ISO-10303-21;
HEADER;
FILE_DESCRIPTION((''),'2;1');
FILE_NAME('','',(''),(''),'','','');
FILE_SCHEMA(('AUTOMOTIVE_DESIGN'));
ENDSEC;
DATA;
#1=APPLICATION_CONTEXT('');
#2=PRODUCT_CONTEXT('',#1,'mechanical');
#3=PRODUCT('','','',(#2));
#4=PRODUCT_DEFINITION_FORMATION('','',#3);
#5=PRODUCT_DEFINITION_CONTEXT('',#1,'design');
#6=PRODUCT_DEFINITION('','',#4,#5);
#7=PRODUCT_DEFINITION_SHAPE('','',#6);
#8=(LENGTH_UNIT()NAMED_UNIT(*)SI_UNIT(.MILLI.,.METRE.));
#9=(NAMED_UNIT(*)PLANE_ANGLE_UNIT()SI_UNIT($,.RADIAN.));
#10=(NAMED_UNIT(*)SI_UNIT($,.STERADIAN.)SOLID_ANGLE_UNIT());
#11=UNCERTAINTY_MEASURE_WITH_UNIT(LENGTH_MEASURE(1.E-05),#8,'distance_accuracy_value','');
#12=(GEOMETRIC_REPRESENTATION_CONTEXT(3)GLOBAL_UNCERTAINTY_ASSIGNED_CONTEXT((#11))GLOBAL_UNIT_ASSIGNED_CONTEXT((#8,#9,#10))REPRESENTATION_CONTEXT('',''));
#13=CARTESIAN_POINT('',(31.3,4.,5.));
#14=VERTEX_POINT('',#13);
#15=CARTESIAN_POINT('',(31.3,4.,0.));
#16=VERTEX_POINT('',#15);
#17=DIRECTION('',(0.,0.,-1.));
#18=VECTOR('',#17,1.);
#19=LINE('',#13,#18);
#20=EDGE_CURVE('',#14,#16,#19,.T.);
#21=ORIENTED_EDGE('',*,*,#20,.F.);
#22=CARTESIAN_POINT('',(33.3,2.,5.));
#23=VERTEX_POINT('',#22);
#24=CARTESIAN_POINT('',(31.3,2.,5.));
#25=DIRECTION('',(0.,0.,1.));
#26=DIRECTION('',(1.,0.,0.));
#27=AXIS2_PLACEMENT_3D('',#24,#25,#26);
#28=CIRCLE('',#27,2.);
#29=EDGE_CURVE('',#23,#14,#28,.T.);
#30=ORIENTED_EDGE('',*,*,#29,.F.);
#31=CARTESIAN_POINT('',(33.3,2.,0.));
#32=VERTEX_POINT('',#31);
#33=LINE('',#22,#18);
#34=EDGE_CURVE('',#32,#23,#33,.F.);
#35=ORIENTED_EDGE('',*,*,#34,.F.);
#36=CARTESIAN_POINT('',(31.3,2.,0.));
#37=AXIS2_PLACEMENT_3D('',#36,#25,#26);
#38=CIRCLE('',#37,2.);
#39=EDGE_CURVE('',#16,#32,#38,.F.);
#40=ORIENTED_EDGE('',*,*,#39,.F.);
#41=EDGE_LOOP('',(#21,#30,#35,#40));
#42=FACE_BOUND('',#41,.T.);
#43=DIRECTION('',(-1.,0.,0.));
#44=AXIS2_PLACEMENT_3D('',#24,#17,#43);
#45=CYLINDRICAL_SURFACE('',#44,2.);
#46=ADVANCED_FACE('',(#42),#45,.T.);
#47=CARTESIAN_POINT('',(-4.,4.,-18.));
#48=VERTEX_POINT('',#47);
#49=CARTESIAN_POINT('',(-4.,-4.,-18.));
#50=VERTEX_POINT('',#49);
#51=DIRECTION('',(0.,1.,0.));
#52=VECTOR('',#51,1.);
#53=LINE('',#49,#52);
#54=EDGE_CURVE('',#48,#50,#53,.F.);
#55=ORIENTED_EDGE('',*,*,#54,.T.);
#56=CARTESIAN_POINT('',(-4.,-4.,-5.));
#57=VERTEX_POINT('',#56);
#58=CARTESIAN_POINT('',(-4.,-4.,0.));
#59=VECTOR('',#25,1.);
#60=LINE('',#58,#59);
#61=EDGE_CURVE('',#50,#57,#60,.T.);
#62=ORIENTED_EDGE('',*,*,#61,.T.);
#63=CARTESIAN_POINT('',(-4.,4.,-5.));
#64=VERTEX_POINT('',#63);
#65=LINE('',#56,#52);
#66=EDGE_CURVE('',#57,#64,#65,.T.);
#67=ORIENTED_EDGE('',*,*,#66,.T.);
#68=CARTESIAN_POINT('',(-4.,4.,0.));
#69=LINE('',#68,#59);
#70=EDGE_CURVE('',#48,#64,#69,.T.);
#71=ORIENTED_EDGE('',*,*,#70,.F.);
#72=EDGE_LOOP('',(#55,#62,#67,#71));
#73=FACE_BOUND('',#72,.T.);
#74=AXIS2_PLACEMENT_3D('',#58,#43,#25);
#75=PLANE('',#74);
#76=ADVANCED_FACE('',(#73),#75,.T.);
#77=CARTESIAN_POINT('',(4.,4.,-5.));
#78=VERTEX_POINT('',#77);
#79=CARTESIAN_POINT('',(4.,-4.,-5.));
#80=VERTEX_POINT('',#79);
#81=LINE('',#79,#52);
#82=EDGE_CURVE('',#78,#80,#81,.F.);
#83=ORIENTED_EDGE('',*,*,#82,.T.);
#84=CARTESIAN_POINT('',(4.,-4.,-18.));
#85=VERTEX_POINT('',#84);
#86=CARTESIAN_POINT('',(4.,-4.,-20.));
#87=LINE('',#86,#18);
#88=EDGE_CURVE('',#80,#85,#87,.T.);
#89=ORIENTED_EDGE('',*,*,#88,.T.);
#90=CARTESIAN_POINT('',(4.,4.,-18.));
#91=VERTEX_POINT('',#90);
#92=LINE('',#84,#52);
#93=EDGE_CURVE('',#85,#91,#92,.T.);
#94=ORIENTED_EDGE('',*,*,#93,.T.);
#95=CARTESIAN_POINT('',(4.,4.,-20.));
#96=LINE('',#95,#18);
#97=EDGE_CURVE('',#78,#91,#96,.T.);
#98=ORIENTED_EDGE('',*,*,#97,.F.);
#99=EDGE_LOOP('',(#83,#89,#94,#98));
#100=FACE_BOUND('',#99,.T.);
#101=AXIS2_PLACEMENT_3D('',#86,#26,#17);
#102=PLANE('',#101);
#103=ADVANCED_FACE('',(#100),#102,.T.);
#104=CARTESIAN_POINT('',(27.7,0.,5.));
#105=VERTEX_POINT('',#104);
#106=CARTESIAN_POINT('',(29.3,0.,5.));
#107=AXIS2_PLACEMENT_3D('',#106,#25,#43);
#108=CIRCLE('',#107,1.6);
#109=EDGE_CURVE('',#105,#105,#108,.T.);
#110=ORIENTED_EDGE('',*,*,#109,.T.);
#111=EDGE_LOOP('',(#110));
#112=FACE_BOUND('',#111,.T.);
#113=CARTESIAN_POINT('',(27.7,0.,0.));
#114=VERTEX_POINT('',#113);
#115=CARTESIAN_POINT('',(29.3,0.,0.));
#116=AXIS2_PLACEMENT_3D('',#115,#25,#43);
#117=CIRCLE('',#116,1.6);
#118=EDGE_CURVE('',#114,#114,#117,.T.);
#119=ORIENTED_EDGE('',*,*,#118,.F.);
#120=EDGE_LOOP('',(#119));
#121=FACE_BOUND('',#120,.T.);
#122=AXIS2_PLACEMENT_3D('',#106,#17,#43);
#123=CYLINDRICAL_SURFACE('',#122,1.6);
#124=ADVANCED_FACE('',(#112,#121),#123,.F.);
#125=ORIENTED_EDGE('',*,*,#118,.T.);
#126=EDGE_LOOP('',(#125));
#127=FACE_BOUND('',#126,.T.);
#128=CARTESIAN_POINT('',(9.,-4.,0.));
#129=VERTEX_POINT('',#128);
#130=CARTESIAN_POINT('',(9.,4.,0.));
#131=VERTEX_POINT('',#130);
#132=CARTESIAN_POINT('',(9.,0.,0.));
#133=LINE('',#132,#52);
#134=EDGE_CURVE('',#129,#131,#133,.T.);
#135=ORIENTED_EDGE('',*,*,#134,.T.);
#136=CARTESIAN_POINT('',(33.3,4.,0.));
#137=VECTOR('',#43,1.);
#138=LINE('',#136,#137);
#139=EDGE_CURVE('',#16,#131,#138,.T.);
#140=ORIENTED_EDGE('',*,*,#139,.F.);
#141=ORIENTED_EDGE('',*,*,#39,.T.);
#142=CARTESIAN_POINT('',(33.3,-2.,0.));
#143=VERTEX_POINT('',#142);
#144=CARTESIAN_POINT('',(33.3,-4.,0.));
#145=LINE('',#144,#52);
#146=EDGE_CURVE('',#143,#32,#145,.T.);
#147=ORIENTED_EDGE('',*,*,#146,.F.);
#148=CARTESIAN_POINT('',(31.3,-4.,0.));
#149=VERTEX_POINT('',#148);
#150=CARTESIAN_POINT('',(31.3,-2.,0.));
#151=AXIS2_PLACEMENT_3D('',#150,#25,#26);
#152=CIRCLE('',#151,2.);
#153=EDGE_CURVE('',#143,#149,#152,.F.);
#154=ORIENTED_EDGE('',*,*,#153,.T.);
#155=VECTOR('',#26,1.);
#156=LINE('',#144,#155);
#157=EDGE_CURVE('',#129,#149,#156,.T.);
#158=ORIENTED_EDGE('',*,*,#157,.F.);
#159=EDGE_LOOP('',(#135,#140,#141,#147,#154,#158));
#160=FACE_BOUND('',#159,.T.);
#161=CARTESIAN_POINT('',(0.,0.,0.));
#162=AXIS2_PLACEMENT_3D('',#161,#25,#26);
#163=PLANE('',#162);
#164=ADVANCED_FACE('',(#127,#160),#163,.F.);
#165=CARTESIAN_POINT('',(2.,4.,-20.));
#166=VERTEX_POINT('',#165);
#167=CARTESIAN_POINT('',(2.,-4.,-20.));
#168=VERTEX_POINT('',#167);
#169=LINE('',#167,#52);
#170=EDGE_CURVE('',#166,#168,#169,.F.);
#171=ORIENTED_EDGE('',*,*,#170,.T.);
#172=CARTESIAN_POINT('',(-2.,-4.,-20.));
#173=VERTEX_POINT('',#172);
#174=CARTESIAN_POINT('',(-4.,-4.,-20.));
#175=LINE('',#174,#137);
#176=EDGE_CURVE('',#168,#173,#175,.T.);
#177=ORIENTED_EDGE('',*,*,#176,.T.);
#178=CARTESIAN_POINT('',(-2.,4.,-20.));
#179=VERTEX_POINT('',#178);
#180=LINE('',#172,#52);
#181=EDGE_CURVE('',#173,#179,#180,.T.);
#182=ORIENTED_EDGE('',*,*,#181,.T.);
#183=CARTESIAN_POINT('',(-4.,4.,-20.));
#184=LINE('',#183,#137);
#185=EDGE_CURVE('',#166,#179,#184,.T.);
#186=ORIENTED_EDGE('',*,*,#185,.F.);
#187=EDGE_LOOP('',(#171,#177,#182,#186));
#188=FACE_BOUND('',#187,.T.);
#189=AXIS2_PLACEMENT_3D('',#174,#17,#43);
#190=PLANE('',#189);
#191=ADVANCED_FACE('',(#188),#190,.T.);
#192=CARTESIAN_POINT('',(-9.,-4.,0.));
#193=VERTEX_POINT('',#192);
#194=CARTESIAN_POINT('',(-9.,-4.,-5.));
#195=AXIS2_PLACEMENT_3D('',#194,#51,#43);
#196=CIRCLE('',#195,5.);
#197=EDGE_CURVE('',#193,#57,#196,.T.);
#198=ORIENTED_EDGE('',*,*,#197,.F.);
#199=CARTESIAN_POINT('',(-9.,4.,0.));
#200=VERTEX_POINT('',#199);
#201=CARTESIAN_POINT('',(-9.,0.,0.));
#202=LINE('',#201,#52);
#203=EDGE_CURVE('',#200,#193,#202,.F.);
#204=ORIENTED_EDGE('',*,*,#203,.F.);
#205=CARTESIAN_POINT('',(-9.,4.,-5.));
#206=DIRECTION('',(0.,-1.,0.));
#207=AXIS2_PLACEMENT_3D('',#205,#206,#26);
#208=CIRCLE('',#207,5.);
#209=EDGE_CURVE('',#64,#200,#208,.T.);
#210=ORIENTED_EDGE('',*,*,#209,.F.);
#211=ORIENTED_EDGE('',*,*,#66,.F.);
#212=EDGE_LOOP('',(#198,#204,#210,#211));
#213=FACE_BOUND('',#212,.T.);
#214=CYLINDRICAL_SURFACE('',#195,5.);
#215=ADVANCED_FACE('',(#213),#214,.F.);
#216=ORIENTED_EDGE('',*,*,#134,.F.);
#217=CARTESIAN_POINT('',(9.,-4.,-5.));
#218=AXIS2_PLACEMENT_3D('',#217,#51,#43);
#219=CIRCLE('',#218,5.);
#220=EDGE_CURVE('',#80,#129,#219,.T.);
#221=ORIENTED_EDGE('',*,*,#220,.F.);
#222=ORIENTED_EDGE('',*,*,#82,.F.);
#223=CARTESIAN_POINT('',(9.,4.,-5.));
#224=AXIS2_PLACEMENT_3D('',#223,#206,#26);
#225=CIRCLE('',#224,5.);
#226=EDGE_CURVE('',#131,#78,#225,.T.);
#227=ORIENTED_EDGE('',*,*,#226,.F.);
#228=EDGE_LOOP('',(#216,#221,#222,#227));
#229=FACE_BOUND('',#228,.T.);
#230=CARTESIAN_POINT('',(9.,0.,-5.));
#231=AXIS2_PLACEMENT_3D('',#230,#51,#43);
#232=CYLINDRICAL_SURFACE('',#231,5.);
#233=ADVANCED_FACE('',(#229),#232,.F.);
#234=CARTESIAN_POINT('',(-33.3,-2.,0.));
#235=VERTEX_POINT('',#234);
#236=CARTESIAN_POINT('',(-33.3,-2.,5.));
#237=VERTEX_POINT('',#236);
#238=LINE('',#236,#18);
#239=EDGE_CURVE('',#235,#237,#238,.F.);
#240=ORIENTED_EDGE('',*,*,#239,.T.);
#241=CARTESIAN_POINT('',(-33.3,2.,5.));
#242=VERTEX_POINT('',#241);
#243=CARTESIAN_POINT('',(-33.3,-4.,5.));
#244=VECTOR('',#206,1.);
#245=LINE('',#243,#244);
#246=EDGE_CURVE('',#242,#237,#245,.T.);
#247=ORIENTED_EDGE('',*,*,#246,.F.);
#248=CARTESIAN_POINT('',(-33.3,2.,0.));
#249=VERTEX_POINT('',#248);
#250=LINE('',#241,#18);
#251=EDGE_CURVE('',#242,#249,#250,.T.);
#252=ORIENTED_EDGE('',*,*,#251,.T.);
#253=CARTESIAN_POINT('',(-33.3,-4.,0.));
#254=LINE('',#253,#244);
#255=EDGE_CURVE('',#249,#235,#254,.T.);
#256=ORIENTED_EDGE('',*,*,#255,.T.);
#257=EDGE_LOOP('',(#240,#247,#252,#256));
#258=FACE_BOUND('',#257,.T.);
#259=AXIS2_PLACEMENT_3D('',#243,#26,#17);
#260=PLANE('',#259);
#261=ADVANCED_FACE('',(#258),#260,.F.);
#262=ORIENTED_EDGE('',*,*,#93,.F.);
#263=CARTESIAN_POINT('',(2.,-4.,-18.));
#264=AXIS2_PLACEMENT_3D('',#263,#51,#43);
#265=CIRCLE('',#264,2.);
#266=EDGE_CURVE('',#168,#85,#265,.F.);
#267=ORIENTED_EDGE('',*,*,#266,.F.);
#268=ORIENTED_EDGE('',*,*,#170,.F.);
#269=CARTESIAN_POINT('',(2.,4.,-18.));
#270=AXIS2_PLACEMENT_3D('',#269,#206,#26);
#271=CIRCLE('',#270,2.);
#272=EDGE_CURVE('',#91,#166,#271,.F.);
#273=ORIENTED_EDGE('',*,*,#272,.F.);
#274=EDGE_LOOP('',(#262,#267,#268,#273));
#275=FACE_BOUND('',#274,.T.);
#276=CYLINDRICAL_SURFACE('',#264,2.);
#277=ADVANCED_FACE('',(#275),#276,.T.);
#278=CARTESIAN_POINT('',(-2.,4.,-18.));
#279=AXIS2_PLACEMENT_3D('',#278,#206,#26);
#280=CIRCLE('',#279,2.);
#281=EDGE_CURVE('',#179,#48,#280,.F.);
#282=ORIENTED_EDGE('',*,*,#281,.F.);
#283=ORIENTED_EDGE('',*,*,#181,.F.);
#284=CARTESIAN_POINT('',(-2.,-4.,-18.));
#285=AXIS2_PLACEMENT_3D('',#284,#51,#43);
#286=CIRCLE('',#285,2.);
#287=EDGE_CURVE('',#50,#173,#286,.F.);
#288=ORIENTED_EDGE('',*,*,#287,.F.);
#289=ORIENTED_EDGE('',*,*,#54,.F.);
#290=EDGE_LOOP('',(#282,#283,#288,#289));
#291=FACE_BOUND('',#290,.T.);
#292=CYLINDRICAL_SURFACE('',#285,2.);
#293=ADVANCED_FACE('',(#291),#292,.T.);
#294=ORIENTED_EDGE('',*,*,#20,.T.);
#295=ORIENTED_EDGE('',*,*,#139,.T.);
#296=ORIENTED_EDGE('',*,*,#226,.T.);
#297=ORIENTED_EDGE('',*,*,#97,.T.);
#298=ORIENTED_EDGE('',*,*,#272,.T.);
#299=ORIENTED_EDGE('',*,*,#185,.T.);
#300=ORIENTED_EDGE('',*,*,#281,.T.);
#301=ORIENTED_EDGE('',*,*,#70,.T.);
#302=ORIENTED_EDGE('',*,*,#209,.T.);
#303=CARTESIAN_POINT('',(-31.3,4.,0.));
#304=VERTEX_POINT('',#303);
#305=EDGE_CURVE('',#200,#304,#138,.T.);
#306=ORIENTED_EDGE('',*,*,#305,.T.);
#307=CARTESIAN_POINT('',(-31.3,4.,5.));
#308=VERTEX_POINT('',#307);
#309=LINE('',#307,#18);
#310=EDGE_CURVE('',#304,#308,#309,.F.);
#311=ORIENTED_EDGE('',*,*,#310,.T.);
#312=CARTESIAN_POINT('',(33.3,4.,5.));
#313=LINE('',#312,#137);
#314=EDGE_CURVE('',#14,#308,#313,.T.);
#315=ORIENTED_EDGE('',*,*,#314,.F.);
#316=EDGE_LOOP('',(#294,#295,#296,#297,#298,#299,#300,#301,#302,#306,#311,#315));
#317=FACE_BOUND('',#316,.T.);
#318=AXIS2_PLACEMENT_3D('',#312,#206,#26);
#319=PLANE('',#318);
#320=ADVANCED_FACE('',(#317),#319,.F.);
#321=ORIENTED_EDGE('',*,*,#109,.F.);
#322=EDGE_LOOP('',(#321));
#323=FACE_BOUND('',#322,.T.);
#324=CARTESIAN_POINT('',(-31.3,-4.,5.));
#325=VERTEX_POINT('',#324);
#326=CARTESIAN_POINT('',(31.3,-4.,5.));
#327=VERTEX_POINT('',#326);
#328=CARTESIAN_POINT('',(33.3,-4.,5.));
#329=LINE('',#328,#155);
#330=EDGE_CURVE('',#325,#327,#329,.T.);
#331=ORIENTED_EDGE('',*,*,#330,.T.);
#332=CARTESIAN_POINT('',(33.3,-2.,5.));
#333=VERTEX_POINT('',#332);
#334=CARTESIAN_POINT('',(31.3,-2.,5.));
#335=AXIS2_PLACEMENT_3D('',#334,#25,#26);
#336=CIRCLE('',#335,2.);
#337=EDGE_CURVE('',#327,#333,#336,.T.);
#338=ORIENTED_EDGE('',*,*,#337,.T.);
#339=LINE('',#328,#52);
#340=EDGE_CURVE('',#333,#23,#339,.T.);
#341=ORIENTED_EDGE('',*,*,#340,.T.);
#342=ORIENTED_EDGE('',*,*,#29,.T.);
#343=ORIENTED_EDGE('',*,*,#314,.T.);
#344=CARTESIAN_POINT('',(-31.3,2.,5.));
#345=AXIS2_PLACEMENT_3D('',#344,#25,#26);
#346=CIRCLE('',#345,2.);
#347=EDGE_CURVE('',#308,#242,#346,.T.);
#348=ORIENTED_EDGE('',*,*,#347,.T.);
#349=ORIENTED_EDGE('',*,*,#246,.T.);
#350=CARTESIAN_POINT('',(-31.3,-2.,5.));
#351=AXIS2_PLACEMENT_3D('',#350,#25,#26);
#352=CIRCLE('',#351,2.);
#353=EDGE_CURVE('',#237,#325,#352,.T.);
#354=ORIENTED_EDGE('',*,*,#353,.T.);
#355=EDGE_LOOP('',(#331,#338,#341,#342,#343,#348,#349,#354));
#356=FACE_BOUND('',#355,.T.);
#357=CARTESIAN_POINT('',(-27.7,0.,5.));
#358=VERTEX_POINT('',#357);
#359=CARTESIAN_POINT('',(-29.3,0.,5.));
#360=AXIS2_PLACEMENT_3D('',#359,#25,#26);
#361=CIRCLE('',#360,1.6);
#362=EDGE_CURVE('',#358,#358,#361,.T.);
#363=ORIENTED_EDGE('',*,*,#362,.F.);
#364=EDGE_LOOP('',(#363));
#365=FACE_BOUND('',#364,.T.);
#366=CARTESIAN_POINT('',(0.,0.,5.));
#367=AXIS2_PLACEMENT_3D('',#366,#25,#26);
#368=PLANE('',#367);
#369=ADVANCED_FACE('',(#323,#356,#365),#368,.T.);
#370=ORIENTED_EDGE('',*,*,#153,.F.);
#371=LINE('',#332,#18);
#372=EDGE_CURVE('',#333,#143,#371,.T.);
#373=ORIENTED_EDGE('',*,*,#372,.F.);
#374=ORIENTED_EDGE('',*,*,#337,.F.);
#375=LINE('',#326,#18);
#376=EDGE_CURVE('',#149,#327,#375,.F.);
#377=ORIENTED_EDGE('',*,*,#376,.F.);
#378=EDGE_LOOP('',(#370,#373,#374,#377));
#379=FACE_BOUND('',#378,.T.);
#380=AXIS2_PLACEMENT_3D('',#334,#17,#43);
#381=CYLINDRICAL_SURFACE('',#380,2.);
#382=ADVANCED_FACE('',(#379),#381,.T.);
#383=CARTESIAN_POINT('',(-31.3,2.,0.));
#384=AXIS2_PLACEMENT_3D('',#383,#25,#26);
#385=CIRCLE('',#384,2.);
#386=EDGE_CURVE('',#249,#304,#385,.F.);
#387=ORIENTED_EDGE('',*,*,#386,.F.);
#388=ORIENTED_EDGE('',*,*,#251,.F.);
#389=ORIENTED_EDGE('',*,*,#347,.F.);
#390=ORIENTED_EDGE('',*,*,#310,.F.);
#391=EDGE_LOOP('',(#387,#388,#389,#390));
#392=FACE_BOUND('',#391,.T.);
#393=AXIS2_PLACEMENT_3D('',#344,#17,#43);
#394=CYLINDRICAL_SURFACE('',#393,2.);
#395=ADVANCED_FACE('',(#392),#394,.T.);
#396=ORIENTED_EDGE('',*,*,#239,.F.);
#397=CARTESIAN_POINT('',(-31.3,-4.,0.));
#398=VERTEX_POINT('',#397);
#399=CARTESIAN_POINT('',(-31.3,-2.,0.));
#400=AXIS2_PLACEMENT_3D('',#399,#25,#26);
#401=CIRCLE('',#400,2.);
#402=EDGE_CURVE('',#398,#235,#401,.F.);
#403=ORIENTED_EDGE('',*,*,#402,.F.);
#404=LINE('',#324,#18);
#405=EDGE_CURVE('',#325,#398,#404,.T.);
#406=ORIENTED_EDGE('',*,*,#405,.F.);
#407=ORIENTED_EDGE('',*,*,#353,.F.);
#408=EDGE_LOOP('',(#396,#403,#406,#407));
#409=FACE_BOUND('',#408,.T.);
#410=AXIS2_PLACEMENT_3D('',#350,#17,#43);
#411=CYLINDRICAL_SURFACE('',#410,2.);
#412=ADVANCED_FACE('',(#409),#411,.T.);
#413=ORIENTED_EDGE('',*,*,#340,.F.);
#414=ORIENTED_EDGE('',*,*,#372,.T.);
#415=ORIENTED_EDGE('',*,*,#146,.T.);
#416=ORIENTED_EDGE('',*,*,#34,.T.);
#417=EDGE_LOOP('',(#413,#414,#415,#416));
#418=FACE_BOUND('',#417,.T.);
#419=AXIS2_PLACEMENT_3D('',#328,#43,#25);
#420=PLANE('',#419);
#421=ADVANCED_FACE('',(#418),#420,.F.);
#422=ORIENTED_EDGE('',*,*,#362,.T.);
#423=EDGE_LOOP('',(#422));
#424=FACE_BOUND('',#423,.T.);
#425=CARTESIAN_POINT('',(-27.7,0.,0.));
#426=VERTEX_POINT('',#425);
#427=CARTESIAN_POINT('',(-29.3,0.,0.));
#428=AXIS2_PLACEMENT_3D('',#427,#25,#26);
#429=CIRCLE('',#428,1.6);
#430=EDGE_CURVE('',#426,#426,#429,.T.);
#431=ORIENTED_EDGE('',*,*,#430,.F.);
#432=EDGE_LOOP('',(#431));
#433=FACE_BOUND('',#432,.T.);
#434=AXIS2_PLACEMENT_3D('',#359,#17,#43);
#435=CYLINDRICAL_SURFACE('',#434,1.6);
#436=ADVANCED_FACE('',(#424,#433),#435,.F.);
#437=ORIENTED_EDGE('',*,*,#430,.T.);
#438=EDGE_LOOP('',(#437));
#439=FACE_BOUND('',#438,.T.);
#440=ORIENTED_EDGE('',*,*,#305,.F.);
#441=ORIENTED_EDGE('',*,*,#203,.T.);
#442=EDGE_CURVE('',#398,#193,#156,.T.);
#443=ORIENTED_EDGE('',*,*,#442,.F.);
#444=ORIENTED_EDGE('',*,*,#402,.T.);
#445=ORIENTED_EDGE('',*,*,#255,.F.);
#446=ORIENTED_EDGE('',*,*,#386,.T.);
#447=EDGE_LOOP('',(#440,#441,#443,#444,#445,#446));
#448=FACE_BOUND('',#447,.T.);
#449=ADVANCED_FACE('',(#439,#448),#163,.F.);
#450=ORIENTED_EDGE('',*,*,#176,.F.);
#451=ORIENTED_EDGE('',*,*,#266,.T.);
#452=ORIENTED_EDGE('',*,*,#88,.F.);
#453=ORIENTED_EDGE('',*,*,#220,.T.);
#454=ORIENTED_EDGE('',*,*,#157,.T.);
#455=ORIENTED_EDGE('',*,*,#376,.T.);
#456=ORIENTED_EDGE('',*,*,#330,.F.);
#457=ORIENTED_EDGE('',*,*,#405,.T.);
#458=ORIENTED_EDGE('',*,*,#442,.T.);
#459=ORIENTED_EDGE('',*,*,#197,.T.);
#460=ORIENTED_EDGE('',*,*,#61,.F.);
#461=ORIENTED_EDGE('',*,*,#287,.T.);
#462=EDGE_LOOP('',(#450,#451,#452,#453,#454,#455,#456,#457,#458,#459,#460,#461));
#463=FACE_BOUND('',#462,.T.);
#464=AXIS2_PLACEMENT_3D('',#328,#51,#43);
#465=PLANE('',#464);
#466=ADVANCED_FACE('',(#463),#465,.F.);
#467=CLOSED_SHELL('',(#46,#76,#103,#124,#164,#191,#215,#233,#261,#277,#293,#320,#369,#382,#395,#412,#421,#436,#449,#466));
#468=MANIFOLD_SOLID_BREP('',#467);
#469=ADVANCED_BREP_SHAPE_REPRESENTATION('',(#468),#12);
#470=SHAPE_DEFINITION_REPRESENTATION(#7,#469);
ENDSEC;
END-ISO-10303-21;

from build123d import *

# Parameters (mm, degrees)
SKETCH_1_W      = 66.6
SKETCH_1_H      = 8
SKETCH_1_R      = 1.6
EXTRUDE_1_DEPTH = 5
SKETCH_2_W      = 8
SKETCH_2_H      = 20
EXTRUDE_2_DEPTH = 8
FILLET_1_R      = 2
FILLET_2_R      = 5
FILLET_3_R      = 2


with BuildPart() as part:
    # 草图1 → 凸台-拉伸1 (new body)
    with BuildSketch(Plane.XY):
        Rectangle(SKETCH_1_W, SKETCH_1_H)
        with Locations((-29.3, 0)):
            Circle(SKETCH_1_R, mode=Mode.SUBTRACT)
        with Locations(Location((29.3, 0, 0), (0, 0, 180))):
            Circle(SKETCH_1_R, mode=Mode.SUBTRACT)
    extrude(amount=EXTRUDE_1_DEPTH)

    # 草图2 → 凸台-拉伸2 (add)
    with BuildSketch(Plane(origin=(0, 4, 0), x_dir=(1, 0, 0), z_dir=(0, 1, 0))):
        with Locations((0, 10)):
            Rectangle(SKETCH_2_W, SKETCH_2_H)
    extrude(amount=-EXTRUDE_2_DEPTH)

    # 圆角1
    fillet_1_edges = [part.edges().sort_by_distance(p)[0] for p in [
        (-33.3, 4, 2.5),
        (33.3, 4, 2.5),
        (33.3, -4, 2.5),
        (-33.3, -4, 2.5),
    ]]
    fillet(fillet_1_edges, radius=FILLET_1_R)

    # 圆角2
    fillet_2_edges = [part.edges().sort_by_distance(p)[0] for p in [
        (4, 0, 0),
        (-4, 0, 0),
    ]]
    fillet(fillet_2_edges, radius=FILLET_2_R)

    # 圆角3
    fillet_3_edges = [part.edges().sort_by_distance(p)[0] for p in [
        (-4, 0, -20),
        (4, 0, -20),
    ]]
    fillet(fillet_3_edges, radius=FILLET_3_R)


solid = part.part
